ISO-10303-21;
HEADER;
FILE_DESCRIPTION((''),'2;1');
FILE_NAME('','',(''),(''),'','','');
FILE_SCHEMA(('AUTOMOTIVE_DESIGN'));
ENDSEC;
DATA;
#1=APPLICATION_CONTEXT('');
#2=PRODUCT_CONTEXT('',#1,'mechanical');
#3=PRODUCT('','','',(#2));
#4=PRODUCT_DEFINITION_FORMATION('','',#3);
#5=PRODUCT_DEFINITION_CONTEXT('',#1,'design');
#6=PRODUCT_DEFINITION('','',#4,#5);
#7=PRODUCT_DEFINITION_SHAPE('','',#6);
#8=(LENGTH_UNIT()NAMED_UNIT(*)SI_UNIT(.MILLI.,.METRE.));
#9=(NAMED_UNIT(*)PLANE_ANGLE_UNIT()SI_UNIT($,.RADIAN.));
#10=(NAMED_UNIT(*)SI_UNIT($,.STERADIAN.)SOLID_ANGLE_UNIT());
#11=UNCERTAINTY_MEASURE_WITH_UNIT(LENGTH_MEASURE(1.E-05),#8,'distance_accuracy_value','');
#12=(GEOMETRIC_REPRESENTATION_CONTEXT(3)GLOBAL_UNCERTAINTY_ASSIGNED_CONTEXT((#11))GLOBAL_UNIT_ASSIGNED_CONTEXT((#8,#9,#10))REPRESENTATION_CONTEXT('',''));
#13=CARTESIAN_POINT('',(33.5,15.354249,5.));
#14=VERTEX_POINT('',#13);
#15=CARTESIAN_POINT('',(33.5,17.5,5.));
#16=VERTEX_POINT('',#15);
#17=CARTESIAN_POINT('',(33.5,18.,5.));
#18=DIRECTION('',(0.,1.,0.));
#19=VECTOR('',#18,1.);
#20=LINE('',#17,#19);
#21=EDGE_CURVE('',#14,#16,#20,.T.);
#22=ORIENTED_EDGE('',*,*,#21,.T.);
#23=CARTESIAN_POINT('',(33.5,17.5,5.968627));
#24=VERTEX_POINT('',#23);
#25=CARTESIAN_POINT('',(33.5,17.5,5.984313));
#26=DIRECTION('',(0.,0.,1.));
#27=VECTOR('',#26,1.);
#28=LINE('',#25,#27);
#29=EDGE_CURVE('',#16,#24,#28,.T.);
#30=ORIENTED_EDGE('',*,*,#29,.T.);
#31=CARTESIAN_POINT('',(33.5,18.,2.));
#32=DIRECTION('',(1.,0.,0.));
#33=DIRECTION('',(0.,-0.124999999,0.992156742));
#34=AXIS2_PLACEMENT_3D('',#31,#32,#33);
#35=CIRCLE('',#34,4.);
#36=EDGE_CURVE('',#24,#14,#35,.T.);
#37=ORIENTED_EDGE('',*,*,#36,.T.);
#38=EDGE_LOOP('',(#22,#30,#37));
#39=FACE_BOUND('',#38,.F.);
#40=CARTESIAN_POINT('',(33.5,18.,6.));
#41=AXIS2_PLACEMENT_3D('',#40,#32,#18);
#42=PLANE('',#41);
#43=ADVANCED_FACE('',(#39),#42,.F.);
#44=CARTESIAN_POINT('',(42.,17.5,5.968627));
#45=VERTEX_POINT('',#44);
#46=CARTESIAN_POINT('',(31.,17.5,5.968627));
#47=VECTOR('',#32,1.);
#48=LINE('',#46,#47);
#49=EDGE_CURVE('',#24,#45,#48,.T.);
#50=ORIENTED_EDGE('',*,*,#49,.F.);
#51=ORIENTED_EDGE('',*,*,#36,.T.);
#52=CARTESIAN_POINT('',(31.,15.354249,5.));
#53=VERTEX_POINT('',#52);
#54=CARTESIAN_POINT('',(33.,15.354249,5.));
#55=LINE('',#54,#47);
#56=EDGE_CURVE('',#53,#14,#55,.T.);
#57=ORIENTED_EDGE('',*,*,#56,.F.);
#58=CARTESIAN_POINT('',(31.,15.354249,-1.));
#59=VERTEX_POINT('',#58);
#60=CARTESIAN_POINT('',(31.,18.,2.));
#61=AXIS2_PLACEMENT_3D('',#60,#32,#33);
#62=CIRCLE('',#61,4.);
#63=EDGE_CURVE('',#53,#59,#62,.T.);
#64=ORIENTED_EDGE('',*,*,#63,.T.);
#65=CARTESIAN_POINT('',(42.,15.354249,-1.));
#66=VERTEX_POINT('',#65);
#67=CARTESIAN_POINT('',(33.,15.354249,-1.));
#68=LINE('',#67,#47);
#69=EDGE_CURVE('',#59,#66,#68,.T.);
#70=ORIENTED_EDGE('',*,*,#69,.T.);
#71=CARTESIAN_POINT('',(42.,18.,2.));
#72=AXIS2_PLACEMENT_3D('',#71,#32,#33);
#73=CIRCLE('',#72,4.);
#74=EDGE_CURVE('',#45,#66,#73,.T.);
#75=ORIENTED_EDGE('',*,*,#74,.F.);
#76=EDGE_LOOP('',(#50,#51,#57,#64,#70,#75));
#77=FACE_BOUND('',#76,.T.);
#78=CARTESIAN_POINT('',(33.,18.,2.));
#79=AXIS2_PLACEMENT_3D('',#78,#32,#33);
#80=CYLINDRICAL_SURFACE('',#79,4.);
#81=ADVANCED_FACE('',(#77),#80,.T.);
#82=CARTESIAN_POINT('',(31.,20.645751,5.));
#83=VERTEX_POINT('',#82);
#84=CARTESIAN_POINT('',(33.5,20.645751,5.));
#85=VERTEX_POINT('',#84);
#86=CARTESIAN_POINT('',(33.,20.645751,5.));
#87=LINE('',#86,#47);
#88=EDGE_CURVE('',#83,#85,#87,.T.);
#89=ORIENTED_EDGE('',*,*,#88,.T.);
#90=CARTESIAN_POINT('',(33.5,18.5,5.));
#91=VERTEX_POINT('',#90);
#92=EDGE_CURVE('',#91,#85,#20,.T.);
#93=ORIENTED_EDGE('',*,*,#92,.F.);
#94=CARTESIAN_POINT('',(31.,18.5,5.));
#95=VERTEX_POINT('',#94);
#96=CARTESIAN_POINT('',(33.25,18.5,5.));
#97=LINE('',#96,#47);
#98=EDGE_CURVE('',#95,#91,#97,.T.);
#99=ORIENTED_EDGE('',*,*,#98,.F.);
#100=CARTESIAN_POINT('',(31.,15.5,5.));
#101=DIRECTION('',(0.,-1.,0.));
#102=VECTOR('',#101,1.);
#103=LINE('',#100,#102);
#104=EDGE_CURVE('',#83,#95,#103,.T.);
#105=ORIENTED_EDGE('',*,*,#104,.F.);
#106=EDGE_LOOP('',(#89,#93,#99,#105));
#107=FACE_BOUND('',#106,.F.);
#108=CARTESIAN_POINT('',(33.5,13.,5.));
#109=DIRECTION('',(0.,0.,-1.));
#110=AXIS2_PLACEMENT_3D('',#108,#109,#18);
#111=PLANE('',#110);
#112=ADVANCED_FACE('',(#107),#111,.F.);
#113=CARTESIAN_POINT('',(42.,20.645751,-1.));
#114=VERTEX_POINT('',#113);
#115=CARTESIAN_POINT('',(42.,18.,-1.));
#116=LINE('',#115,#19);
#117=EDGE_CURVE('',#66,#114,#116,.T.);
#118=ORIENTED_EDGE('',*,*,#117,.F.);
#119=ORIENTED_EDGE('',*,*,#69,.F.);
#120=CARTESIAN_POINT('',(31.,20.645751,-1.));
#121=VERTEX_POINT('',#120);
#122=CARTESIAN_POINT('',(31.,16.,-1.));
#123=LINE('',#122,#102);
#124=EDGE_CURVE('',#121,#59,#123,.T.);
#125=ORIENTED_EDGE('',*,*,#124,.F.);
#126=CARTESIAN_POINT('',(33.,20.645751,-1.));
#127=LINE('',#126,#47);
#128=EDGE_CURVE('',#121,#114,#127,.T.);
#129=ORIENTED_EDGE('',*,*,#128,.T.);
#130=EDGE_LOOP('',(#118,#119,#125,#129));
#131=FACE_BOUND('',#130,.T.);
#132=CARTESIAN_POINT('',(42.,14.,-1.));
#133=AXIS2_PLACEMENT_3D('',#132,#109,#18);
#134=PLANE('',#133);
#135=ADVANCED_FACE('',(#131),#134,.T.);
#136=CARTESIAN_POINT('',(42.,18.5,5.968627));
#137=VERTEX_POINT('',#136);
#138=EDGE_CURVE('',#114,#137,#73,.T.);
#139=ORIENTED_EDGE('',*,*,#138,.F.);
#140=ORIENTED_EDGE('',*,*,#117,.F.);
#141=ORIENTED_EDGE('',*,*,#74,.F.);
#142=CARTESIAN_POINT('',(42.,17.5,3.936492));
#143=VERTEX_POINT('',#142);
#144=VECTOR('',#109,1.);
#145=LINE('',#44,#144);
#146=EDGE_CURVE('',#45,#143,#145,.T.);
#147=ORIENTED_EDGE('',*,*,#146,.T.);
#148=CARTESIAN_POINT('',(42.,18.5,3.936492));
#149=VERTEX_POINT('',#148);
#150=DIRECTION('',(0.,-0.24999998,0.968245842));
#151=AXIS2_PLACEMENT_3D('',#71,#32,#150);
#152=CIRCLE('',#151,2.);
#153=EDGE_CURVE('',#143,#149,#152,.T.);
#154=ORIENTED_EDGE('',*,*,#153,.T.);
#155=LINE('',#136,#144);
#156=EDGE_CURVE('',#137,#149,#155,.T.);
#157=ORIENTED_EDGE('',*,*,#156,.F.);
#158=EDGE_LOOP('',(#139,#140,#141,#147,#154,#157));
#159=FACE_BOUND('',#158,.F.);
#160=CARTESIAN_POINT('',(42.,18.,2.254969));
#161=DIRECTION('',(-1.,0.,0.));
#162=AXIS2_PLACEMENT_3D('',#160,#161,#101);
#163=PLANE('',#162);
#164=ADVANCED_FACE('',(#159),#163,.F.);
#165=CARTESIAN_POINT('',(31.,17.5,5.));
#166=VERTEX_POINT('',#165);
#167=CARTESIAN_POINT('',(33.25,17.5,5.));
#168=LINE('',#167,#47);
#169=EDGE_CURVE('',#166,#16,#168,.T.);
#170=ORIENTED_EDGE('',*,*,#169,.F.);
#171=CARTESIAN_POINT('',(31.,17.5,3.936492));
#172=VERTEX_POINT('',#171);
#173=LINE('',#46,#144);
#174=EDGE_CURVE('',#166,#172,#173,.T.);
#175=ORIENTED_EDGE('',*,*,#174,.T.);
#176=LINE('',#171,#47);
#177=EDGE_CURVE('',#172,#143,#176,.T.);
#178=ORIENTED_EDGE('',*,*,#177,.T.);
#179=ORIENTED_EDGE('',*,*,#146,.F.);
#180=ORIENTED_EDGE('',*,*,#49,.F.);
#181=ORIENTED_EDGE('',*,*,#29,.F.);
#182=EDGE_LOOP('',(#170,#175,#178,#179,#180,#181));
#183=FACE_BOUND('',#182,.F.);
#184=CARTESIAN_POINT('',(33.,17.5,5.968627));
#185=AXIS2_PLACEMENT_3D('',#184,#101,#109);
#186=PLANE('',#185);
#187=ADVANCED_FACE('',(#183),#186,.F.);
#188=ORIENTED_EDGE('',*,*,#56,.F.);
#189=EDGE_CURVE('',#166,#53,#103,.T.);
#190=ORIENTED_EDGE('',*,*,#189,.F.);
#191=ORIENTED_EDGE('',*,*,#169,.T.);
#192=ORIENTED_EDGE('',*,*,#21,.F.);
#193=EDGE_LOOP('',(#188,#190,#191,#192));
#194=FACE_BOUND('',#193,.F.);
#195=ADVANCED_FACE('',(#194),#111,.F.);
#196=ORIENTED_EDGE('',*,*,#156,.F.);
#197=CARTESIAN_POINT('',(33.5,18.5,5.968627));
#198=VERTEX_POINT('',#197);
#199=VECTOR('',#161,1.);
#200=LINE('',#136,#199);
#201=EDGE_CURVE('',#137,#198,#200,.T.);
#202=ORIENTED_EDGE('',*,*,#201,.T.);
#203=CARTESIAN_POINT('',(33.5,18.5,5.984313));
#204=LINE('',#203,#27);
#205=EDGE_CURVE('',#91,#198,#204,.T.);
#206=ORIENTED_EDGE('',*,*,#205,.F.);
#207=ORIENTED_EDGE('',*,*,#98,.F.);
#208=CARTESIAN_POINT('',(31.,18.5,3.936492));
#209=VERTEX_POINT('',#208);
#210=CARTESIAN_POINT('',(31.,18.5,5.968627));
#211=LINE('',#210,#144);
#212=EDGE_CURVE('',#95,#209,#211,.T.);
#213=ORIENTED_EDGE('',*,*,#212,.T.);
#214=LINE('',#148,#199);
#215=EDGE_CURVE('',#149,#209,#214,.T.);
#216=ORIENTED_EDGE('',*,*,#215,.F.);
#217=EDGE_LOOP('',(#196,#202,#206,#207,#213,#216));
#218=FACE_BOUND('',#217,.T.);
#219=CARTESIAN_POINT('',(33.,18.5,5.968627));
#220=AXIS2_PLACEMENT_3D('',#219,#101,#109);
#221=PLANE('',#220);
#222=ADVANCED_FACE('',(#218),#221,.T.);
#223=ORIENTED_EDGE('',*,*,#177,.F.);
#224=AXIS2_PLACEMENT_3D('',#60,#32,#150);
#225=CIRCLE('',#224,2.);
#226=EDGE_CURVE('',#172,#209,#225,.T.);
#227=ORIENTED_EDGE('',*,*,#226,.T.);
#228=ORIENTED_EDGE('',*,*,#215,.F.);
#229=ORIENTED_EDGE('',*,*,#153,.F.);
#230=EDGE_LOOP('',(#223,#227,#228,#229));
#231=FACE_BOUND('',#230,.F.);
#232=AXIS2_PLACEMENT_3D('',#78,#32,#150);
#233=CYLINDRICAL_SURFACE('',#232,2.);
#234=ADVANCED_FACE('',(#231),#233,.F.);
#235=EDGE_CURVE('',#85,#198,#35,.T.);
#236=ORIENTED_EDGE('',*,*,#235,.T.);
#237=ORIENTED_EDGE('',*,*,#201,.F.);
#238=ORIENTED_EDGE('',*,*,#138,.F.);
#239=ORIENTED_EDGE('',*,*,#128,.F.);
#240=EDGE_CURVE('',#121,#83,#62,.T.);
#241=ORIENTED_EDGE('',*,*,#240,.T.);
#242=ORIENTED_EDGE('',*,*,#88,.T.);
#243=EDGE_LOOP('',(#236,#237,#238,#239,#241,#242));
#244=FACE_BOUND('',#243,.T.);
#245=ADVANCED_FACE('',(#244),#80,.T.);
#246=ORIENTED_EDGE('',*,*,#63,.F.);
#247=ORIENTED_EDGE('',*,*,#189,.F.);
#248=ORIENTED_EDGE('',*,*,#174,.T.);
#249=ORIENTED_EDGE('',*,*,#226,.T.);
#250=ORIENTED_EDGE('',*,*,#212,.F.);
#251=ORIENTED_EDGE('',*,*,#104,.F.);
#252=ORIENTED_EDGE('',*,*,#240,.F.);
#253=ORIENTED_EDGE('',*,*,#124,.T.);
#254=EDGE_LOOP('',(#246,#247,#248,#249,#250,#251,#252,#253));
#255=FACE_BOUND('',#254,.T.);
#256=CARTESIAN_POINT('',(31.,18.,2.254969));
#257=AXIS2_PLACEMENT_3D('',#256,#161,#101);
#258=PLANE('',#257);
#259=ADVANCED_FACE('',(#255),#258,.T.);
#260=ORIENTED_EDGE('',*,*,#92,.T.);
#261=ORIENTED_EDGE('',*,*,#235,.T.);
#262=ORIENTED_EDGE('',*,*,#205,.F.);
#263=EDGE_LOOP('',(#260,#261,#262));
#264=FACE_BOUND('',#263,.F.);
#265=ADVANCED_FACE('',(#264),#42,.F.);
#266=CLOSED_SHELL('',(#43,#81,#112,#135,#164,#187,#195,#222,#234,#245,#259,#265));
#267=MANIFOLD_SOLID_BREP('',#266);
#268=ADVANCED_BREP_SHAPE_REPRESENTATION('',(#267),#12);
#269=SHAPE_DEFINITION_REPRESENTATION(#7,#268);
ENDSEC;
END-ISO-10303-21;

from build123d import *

# Parameters (mm, degrees)
SKETCH084_W           = 10
SKETCH084_H           = 2
EXTRUDE079_DEPTH      = 5
SKETCH008_W           = 8
SKETCH008_H           = 2
EXTRUDE006_DEPTH      = 12
EXTRUDE001_DEPTH      = 9
EXTRUDE001_DEPTH_BACK = 2


with BuildPart() as extrude079:
    # Sketch084 → Extrude079 (new body)
    with BuildSketch(Plane.YZ.offset(33.5)):
        with Locations((18, 6)):
            Rectangle(SKETCH084_W, SKETCH084_H)
    extrude(amount=-EXTRUDE079_DEPTH)


with BuildPart() as compound002:
    # Sketch008 → Extrude006 (new body)
    with BuildSketch(Plane.YZ.offset(42)):
        with Locations((18, -2)):
            Rectangle(SKETCH008_W, SKETCH008_H)
    extrude(amount=-EXTRUDE006_DEPTH)

    # Compound002: union Extrude079
    add(extrude079.part)


with BuildPart() as antenna001:
    # Sketch001 → Extrude001 (new body, two sides)
    with BuildSketch(Plane.YZ.offset(33)) as extrude001_sk:
        with BuildLine():
            ThreePointArc((17.5, 3.936492), (18, 0), (18.5, 3.936492))
            Line((18.5, 5.968627), (18.5, 3.936492))
            ThreePointArc((17.5, 5.968627), (18, -2), (18.5, 5.968627))
            Line((17.5, 5.968627), (17.5, 3.936492))
        make_face()
    extrude(amount=EXTRUDE001_DEPTH)
    extrude(extrude001_sk.sketch, amount=-EXTRUDE001_DEPTH_BACK)

    # Cut003: cut Compound002
    add(compound002.part, mode=Mode.SUBTRACT)


solid = antenna001.part
